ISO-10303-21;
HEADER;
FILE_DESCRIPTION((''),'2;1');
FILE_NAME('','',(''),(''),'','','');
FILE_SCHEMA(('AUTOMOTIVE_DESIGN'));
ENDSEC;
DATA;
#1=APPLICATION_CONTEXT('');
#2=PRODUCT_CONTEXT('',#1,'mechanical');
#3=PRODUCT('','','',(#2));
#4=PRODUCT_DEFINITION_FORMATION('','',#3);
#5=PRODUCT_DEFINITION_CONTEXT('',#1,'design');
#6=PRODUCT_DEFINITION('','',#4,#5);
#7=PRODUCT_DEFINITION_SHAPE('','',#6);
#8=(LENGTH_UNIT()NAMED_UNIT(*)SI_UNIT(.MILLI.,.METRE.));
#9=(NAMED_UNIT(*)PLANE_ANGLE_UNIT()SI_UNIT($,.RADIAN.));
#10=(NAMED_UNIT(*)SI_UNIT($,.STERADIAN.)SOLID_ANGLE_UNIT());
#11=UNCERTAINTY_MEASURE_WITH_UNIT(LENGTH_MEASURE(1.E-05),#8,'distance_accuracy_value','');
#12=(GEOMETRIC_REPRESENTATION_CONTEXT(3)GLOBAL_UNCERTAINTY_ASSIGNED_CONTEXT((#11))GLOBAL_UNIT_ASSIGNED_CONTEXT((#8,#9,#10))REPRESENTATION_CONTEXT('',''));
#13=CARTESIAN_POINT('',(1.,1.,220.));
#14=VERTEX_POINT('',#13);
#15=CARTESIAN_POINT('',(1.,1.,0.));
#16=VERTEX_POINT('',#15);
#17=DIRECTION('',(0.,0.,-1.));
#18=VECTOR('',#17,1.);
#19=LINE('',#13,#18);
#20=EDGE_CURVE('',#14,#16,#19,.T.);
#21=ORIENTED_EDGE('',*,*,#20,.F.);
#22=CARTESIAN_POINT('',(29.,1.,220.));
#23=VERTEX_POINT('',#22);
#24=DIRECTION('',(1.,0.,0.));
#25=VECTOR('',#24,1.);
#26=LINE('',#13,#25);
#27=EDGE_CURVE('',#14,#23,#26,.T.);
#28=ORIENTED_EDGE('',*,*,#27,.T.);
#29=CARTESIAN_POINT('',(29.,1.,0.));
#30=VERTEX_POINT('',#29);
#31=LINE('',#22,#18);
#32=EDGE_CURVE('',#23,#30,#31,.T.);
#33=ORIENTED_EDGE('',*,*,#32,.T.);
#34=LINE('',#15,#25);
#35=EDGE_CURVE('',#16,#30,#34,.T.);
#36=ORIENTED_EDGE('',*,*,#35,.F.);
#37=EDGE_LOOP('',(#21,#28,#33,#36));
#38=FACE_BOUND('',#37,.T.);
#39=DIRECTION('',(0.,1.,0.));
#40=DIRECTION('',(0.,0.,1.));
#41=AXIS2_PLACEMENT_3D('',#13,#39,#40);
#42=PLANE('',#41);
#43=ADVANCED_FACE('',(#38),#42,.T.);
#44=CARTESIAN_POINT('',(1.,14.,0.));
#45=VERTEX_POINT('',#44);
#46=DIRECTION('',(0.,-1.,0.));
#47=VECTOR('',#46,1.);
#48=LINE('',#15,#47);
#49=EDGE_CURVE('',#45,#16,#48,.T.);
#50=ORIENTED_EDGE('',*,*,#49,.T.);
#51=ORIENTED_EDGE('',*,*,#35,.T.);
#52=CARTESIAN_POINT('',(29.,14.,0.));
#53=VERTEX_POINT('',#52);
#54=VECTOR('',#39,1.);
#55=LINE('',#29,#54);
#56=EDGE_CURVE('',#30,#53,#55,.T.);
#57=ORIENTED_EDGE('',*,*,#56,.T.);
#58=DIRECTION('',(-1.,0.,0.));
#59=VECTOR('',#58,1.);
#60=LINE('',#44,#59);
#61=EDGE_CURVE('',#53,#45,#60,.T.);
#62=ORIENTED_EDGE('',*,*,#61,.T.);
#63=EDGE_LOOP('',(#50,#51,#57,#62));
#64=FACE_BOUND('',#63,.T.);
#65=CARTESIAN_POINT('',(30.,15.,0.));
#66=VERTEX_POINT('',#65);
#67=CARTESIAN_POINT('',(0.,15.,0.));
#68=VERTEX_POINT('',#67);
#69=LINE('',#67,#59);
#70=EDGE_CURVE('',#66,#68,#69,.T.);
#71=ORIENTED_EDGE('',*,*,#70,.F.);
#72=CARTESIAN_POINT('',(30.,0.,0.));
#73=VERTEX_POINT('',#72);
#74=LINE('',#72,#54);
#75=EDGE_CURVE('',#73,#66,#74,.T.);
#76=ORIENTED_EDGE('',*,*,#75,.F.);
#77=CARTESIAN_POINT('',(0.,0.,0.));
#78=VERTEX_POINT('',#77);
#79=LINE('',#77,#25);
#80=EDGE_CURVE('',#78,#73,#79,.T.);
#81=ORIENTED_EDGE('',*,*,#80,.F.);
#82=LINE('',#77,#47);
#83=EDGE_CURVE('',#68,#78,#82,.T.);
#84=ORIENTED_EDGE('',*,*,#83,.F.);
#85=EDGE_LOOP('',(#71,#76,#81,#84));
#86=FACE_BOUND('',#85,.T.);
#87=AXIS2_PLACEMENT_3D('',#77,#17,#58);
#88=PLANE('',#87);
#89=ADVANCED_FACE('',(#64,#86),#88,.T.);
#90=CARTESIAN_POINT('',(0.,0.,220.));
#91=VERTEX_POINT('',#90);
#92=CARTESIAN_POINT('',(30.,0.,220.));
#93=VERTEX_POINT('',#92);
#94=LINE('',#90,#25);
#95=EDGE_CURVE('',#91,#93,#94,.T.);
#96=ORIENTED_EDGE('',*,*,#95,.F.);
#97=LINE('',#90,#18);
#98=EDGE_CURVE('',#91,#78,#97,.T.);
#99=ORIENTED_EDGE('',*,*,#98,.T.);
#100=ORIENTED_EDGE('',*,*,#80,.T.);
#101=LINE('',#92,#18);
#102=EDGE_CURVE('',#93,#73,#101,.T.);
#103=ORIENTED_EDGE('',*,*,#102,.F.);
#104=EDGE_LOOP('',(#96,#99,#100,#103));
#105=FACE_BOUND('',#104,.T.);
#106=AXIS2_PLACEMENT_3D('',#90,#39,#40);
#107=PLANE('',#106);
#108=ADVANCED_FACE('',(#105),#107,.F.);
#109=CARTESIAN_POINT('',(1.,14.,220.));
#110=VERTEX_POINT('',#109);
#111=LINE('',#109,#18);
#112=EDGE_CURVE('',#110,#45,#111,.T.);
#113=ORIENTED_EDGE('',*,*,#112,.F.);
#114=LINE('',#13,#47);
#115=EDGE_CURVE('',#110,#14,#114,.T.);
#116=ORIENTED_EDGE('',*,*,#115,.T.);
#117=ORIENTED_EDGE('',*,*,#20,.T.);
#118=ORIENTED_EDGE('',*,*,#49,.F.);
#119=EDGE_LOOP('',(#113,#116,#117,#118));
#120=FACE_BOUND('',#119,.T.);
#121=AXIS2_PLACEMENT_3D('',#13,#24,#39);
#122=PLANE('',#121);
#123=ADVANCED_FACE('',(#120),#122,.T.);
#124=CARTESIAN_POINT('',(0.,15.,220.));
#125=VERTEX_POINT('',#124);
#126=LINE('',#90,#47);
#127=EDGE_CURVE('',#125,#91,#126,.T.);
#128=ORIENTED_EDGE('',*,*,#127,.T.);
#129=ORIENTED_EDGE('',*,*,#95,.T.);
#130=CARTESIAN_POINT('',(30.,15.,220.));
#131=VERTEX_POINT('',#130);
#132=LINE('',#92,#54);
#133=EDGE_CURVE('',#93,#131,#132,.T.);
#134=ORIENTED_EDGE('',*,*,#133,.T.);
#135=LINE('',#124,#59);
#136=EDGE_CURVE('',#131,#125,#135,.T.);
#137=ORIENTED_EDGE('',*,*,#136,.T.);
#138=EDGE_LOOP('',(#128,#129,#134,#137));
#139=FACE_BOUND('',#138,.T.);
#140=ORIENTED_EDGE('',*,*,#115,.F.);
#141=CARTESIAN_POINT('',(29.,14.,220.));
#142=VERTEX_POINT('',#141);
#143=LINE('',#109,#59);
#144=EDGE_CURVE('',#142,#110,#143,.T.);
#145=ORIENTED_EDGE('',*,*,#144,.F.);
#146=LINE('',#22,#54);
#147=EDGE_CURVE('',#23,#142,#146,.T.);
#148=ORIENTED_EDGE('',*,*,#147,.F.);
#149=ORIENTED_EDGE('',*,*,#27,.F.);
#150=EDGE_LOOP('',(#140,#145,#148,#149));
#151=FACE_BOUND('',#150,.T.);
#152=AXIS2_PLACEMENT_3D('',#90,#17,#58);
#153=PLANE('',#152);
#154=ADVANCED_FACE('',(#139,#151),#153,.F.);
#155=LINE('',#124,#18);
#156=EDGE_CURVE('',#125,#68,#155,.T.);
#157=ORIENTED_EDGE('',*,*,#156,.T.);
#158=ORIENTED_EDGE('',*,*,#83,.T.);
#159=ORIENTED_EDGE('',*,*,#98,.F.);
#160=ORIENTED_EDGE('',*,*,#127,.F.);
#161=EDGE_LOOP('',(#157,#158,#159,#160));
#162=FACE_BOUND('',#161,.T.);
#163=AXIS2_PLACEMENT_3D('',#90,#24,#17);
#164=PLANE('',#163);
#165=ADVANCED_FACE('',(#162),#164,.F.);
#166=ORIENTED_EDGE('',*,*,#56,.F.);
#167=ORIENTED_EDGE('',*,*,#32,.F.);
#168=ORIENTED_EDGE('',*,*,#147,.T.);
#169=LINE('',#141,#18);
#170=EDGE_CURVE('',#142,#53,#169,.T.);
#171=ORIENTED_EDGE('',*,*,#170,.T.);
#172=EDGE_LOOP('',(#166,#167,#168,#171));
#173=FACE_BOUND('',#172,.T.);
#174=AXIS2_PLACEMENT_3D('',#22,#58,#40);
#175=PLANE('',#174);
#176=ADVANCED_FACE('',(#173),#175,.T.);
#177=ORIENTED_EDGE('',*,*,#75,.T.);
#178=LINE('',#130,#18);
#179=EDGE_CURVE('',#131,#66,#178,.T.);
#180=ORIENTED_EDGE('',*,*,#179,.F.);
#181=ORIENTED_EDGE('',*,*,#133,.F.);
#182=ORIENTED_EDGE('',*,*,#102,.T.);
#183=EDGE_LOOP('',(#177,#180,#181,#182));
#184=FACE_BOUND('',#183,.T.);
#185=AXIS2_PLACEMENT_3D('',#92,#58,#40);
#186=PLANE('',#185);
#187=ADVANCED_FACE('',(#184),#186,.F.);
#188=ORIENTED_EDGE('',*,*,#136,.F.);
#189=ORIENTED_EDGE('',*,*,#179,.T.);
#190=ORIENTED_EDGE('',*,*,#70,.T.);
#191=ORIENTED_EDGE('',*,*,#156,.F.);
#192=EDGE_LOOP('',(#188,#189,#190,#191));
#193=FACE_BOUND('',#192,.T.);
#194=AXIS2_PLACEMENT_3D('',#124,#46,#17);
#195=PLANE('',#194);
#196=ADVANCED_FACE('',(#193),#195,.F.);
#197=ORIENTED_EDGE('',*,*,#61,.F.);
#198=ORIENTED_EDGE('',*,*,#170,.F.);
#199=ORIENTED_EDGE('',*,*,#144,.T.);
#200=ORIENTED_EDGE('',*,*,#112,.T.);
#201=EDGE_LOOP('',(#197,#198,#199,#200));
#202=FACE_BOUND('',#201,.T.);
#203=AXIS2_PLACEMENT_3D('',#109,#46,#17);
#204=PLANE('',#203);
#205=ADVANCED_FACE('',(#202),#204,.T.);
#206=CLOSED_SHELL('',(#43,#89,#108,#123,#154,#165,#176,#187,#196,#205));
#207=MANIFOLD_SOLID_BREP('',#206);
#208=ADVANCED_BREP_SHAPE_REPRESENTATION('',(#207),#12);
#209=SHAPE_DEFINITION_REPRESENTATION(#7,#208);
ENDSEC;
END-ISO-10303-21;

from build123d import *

# Parameters (mm, degrees)
SKETCH_1_W      = 30
SKETCH_1_H      = 15
SKETCH_1_W_2    = 28
SKETCH_1_H_2    = 13
EXTRUDE_1_DEPTH = 220


with BuildPart() as part:
    # 草图1 → 凸台-拉伸1 (new body)
    with BuildSketch(Plane.XY):
        with Locations((15, 7.5)):
            Rectangle(SKETCH_1_W, SKETCH_1_H)
        with Locations((15, 7.5)):
            Rectangle(SKETCH_1_W_2, SKETCH_1_H_2, mode=Mode.SUBTRACT)
    extrude(amount=EXTRUDE_1_DEPTH)


solid = part.part
